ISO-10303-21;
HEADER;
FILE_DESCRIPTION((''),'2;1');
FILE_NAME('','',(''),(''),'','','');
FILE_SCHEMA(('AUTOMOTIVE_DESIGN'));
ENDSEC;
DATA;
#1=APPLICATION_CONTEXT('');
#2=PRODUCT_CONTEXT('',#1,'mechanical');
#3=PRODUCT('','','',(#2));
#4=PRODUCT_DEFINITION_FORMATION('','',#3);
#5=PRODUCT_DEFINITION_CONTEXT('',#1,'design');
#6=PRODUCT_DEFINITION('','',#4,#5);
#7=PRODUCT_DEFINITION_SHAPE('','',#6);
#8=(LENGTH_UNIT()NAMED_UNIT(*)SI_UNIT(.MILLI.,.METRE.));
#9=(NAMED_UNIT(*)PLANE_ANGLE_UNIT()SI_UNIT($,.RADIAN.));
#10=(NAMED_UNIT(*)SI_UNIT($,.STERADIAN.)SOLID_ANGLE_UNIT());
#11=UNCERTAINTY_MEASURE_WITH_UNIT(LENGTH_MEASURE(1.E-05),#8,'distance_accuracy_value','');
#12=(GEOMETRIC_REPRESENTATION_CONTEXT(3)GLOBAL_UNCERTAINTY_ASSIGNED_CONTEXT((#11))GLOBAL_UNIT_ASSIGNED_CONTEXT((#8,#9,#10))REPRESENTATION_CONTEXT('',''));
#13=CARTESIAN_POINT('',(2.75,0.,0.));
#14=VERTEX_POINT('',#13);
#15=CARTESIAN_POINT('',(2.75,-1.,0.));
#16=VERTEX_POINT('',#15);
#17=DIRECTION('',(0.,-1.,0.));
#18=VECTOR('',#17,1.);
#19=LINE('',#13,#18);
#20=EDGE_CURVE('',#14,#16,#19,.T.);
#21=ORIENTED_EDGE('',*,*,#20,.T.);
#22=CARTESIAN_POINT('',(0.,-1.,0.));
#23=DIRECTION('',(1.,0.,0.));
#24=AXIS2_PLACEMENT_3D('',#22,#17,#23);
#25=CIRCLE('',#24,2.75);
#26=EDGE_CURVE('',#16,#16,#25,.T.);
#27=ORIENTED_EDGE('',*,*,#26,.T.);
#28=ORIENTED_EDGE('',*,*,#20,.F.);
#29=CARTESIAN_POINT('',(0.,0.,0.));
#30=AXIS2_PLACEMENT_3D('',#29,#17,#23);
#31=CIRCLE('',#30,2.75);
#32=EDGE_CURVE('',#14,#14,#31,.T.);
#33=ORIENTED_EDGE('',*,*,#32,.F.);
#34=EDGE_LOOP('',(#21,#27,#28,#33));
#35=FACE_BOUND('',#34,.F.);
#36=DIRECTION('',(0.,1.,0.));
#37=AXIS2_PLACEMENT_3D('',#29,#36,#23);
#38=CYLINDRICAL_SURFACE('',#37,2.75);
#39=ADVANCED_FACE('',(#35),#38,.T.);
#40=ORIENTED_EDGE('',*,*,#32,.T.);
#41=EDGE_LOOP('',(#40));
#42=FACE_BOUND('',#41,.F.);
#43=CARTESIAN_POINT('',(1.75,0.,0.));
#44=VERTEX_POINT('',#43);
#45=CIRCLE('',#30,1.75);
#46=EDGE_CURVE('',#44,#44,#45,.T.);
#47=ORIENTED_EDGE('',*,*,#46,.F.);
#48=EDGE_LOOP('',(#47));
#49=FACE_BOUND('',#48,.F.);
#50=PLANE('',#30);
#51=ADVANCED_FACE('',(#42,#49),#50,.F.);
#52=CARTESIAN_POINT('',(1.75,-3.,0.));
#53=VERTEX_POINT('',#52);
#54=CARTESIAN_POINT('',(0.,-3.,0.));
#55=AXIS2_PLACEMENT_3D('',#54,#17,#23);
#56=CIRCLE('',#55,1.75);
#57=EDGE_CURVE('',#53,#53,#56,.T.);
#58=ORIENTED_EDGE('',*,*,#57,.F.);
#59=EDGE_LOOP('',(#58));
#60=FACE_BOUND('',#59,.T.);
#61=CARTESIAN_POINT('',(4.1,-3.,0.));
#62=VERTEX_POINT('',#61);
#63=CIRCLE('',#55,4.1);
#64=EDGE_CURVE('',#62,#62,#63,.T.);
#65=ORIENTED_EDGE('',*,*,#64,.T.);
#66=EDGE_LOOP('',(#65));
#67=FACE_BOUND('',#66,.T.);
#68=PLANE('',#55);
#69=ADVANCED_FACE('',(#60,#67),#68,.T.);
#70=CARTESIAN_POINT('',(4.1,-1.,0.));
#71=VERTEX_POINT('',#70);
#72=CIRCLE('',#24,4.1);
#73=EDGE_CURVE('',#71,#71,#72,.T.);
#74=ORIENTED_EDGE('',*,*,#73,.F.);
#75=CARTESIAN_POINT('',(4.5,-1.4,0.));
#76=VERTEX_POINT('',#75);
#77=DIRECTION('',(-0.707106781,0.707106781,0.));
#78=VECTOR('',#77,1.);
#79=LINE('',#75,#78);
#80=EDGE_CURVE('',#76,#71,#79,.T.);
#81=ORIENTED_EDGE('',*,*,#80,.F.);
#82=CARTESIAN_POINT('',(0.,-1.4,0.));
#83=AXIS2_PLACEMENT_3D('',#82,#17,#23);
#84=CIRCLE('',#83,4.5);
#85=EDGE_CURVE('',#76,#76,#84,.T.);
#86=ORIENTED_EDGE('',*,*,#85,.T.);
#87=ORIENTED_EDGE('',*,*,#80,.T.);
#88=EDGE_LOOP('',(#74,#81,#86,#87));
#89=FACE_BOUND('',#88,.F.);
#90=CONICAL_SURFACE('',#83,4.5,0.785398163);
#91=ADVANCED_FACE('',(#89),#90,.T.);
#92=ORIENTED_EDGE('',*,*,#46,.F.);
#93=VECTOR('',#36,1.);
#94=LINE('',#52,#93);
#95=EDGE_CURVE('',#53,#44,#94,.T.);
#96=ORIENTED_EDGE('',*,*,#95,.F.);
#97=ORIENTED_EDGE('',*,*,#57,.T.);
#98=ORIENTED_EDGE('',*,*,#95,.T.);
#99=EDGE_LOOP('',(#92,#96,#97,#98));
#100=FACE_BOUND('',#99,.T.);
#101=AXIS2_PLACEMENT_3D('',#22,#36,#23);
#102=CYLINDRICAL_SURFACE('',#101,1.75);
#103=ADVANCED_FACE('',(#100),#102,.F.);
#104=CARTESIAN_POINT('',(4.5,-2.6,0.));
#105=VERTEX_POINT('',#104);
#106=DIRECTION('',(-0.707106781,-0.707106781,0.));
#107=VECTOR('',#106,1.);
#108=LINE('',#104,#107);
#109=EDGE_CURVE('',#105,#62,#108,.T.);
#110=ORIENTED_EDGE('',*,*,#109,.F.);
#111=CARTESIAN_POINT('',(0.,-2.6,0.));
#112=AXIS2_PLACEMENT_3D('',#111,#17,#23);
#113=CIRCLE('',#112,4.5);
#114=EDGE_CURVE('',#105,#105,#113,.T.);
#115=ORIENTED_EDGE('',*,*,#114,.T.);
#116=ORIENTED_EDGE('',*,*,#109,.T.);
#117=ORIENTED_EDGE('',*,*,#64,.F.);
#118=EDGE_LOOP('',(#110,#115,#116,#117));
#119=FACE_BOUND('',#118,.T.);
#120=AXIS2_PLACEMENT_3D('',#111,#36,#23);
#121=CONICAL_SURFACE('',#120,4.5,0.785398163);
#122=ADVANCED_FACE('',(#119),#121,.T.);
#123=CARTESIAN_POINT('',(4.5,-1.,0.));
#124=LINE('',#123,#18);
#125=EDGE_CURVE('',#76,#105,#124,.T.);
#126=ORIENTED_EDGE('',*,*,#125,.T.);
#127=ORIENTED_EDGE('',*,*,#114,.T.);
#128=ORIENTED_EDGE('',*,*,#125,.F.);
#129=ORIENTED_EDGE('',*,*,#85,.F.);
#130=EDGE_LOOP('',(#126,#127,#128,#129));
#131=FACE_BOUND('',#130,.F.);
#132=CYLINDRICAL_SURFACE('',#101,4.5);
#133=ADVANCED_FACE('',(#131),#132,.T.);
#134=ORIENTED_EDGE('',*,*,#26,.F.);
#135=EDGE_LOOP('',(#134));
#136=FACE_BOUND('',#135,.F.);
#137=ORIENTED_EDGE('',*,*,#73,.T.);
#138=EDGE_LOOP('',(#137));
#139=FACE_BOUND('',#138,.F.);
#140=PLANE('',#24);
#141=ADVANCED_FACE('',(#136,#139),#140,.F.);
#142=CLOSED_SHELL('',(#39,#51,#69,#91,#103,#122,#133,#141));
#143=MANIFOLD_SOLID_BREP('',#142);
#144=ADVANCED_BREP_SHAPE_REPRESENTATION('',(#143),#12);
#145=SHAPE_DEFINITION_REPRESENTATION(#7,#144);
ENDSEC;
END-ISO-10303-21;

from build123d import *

# Parameters (mm, degrees)
F0_R     = 2.75
F0_R_2   = 1.75
F1_DEPTH = 1
F2_R     = 4.5
F2_R_2   = 2.75
F2_R_3   = 1.75
F3_DEPTH = 2
F4_SIZE  = 0.4


with BuildPart() as f1:
    # F0 (on Front) → F1 (new body)
    with BuildSketch(Plane.XZ):
        Circle(F0_R)
        Circle(F0_R_2, mode=Mode.SUBTRACT)
    extrude(amount=F1_DEPTH)

    # F2 (on face) → F3 (join)
    with BuildSketch(Plane.XZ.offset(1)):
        Circle(F2_R)
        Circle(F2_R_2, mode=Mode.SUBTRACT)
        Circle(F2_R_2)
        Circle(F2_R_3, mode=Mode.SUBTRACT)
    extrude(amount=F3_DEPTH)

    # F4
    f4_edges = [f1.edges().sort_by_distance(p)[0] for p in [
        (-4.5, -3, 0),
        (-4.5, -1, 0),
    ]]
    chamfer(f4_edges, length=F4_SIZE)


solid = f1.part
